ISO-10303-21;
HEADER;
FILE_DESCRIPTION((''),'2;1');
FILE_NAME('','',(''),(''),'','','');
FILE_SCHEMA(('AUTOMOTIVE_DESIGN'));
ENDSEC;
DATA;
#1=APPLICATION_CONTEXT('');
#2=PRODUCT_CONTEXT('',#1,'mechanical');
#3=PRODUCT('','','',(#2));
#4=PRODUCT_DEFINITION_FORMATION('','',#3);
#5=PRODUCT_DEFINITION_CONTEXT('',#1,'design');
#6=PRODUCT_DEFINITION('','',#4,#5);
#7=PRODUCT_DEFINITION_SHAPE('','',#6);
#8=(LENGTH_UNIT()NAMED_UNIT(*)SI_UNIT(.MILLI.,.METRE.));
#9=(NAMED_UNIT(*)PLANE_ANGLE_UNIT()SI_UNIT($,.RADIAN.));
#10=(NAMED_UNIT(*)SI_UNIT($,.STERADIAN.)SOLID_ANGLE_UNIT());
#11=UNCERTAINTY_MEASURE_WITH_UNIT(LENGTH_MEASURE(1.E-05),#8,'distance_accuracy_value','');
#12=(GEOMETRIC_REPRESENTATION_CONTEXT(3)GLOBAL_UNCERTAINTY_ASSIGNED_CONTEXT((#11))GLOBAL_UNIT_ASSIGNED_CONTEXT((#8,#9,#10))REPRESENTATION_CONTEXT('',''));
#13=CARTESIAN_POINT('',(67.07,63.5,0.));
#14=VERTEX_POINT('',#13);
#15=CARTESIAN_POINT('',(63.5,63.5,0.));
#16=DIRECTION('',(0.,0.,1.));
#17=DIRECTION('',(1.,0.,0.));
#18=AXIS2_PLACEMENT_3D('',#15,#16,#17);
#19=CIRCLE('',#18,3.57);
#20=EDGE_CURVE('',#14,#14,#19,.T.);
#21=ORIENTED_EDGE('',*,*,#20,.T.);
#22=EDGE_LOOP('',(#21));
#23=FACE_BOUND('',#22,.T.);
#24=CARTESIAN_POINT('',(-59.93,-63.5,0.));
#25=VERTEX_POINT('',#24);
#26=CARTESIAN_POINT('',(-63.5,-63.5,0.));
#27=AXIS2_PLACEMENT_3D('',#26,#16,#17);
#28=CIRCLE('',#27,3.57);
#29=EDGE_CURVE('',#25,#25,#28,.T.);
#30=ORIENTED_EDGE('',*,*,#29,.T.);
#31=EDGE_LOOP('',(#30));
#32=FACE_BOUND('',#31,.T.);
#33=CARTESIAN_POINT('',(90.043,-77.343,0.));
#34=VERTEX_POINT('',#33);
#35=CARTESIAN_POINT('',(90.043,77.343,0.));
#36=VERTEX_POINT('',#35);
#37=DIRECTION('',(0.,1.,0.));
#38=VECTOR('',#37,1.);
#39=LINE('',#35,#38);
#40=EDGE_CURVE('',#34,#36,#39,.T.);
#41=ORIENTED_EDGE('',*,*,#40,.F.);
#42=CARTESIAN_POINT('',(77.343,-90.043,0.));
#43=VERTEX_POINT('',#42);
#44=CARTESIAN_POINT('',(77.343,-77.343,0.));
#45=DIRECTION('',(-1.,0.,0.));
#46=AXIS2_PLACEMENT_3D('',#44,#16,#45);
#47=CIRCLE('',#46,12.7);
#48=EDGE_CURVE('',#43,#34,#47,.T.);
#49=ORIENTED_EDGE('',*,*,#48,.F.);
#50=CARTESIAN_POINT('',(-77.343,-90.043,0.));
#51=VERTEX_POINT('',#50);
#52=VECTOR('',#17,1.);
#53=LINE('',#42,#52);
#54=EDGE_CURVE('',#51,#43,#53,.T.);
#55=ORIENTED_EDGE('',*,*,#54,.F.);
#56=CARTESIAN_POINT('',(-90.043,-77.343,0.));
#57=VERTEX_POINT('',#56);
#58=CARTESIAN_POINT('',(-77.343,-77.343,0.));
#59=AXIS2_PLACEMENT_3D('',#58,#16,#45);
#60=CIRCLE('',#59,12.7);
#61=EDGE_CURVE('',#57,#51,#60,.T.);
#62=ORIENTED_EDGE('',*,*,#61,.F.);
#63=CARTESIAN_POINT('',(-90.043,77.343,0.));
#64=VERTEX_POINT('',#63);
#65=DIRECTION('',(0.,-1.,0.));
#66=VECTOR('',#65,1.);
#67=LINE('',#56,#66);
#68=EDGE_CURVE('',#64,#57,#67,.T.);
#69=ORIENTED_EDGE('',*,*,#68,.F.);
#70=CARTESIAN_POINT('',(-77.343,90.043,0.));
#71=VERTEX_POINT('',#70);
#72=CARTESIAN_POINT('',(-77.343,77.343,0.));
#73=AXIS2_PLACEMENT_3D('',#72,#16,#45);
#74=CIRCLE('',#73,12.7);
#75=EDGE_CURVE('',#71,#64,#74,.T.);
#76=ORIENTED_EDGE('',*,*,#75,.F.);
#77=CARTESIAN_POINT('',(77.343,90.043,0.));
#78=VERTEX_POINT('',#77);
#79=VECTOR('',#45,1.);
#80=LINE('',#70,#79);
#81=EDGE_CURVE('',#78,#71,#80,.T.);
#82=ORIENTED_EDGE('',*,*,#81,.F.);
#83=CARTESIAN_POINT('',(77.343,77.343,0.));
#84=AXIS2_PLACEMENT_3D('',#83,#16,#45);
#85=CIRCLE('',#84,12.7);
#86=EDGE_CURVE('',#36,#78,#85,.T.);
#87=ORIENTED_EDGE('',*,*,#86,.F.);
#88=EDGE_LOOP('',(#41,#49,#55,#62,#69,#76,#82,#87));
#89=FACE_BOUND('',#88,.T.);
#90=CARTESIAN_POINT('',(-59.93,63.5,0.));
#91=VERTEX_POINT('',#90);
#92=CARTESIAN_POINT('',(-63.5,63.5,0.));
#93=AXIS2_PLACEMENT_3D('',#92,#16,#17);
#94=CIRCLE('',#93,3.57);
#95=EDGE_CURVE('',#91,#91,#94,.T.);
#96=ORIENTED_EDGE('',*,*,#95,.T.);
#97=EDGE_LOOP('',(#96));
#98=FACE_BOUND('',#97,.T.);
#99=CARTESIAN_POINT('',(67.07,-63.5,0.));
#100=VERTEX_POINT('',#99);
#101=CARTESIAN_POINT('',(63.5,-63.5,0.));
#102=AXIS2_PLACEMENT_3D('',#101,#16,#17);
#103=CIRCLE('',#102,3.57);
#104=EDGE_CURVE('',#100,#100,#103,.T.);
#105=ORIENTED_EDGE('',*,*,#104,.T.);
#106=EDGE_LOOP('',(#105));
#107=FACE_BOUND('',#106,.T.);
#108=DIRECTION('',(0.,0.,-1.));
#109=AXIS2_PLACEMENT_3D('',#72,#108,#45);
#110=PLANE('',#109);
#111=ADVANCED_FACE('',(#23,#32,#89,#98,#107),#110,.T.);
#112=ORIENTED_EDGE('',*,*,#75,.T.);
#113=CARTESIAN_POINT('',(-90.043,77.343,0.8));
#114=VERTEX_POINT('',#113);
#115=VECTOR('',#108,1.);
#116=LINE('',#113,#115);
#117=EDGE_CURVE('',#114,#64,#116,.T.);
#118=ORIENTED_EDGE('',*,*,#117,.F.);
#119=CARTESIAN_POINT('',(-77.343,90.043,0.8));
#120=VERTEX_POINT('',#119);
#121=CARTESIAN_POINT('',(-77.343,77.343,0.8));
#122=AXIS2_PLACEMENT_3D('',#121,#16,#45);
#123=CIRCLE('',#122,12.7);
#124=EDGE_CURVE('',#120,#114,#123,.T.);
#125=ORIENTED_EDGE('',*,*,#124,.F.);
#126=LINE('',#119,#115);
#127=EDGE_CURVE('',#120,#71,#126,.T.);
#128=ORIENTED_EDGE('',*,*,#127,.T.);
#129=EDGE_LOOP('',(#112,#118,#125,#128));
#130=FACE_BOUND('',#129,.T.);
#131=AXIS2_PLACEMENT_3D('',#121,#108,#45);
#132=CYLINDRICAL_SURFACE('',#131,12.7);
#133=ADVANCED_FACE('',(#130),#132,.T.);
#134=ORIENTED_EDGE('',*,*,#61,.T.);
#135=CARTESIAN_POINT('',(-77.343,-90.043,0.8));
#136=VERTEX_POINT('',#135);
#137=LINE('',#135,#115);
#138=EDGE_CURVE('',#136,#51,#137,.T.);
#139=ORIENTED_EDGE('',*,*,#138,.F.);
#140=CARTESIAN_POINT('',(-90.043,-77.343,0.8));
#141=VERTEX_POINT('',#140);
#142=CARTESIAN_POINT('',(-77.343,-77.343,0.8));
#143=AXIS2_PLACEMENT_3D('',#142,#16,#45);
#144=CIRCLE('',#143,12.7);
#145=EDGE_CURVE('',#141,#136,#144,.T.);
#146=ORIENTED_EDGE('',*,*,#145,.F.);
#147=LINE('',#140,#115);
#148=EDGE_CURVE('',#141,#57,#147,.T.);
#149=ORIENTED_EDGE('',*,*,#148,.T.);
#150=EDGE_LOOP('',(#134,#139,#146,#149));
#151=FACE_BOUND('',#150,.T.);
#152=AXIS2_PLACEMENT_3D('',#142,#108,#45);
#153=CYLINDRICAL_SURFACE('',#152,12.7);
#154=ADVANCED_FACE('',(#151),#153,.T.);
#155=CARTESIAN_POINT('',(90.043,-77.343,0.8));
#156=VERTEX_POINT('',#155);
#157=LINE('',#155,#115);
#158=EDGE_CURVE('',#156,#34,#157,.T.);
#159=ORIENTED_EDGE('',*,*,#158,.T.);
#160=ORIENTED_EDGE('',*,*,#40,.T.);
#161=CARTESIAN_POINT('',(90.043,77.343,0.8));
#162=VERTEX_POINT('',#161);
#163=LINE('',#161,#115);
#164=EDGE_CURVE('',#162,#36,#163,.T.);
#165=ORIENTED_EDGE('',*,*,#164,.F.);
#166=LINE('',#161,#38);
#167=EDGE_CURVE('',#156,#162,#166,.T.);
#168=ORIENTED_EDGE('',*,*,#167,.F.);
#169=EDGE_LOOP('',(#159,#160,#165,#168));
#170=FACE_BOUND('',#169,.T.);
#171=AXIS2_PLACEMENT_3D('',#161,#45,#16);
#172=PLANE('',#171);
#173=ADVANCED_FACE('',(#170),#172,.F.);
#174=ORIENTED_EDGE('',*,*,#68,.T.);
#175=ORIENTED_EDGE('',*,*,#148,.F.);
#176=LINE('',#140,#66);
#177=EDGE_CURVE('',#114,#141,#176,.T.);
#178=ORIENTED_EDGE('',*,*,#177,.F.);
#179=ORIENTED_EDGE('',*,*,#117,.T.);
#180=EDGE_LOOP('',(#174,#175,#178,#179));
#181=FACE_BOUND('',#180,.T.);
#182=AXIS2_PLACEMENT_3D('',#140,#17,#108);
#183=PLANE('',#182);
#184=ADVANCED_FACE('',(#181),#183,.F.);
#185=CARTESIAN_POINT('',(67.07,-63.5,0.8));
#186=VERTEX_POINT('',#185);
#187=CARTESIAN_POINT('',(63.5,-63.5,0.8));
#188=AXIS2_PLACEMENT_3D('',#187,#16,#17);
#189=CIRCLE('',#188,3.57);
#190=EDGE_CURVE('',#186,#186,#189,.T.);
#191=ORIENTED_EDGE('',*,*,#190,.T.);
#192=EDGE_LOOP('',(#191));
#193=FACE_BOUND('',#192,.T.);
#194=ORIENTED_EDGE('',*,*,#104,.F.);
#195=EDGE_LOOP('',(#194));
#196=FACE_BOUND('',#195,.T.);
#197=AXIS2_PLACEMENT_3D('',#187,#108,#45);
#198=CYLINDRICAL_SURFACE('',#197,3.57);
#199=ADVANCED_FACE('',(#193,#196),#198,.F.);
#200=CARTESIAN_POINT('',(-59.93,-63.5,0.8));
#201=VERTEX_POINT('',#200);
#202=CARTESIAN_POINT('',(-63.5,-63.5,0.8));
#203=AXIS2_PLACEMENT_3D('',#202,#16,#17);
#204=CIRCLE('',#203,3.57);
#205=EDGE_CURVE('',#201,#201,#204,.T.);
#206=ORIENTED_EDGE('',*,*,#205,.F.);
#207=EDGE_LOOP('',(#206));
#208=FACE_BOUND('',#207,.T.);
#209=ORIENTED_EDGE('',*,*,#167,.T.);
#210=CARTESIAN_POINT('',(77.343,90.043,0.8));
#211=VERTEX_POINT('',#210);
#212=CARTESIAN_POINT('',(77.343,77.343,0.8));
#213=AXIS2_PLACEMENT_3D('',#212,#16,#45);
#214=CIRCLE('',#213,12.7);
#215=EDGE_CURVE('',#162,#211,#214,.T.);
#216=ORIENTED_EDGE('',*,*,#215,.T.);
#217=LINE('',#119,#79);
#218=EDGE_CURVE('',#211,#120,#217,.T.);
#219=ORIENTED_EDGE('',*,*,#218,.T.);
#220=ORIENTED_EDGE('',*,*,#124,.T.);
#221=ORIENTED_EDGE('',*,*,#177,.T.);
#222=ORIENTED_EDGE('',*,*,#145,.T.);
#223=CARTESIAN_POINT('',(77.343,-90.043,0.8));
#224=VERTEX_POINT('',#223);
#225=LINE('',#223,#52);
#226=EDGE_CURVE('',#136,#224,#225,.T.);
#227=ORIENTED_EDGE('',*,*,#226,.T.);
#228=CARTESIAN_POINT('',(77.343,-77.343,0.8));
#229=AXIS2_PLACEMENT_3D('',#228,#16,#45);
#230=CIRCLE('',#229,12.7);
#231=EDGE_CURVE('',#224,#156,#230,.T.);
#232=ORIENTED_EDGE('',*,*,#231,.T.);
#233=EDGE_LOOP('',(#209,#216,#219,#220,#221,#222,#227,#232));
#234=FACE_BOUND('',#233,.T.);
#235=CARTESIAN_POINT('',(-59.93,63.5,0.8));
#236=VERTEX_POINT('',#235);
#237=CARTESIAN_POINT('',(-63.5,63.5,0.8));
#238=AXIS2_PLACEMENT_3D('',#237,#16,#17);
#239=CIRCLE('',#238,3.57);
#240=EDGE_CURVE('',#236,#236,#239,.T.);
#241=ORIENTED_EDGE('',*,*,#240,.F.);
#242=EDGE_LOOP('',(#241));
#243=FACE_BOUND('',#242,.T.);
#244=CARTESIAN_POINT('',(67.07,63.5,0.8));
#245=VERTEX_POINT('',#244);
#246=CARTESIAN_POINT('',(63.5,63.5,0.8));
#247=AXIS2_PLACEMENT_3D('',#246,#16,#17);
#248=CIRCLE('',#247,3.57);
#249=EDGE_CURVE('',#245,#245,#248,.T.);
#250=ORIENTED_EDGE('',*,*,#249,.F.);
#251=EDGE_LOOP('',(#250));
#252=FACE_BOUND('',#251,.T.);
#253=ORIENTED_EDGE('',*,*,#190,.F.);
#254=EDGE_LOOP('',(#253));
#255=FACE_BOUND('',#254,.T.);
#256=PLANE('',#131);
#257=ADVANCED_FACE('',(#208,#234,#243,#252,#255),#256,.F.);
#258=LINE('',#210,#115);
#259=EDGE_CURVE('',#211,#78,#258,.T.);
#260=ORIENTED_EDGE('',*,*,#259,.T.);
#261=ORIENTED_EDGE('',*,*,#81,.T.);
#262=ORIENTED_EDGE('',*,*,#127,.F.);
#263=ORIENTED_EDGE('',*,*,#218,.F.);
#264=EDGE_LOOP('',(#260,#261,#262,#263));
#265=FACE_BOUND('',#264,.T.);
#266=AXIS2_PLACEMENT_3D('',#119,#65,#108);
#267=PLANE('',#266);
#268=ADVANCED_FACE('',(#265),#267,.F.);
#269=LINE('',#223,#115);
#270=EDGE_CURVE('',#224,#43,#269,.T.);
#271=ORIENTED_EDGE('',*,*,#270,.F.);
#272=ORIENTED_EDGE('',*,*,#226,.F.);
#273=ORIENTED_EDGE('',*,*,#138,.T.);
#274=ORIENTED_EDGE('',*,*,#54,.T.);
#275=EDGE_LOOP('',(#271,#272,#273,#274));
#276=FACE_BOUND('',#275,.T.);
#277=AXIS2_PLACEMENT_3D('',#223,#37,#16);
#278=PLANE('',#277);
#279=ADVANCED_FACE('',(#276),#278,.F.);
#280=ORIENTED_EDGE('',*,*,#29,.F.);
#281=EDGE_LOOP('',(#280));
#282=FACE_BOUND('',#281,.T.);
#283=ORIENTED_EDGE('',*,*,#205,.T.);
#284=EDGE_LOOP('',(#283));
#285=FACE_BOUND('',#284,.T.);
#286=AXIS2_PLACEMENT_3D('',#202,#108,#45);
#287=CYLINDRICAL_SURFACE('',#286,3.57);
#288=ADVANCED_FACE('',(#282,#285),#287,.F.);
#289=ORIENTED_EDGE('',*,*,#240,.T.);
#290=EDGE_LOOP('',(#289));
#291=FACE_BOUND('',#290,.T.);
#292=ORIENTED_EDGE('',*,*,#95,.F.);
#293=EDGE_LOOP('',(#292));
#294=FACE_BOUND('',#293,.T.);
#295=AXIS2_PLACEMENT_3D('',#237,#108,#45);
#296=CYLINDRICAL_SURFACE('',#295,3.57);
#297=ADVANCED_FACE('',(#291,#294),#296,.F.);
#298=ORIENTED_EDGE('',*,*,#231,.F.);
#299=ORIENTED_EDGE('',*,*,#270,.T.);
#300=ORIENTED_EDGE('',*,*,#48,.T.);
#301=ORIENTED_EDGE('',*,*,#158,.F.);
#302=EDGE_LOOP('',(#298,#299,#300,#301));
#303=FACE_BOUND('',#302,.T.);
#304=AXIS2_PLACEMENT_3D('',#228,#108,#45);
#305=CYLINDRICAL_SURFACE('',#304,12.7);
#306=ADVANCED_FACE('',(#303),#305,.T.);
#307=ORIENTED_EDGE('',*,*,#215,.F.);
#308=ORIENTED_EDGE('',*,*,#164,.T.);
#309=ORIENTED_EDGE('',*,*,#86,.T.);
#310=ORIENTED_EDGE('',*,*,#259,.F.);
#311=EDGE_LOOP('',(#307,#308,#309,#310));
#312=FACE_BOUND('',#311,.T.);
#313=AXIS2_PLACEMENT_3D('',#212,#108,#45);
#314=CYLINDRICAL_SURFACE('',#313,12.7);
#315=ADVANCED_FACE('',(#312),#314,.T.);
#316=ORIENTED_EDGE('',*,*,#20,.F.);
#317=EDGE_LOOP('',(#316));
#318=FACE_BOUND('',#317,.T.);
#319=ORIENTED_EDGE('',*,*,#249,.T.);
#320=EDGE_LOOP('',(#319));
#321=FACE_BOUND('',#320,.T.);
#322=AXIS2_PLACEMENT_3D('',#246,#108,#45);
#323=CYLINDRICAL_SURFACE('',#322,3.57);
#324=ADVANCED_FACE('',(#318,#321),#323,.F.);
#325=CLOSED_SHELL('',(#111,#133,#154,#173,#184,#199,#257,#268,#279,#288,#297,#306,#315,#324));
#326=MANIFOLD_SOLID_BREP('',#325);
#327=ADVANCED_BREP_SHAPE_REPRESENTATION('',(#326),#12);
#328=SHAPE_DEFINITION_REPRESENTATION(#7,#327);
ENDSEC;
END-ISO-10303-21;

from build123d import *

# Parameters (mm, degrees)
SKETCH1_R           = 3.57
BOSS_EXTRUDE1_DEPTH = 0.8


with BuildPart() as part:
    # Sketch1 → Boss-Extrude1 (new body)
    with BuildSketch(Plane.XY):
        with BuildLine():
            Line((-77.343, 90.043), (77.343, 90.043))
            ThreePointArc((77.343, 90.043), (86.323256121, 86.323256121), (90.043, 77.343))
            Line((90.043, 77.343), (90.043, -77.343))
            ThreePointArc((90.043, -77.343), (86.323256121, -86.323256121), (77.343, -90.043))
            Line((77.343, -90.043), (-77.343, -90.043))
            ThreePointArc((-77.343, -90.043), (-86.323256121, -86.323256121), (-90.043, -77.343))
            Line((-90.043, -77.343), (-90.043, 77.343))
            ThreePointArc((-90.043, 77.343), (-86.323256121, 86.323256121), (-77.343, 90.043))
        make_face()
        with Locations((-63.5, 63.5)):
            Circle(SKETCH1_R, mode=Mode.SUBTRACT)
        with Locations((63.5, 63.5)):
            Circle(SKETCH1_R, mode=Mode.SUBTRACT)
        with Locations((63.5, -63.5)):
            Circle(SKETCH1_R, mode=Mode.SUBTRACT)
        with Locations((-63.5, -63.5)):
            Circle(SKETCH1_R, mode=Mode.SUBTRACT)
    extrude(amount=BOSS_EXTRUDE1_DEPTH)


solid = part.part
